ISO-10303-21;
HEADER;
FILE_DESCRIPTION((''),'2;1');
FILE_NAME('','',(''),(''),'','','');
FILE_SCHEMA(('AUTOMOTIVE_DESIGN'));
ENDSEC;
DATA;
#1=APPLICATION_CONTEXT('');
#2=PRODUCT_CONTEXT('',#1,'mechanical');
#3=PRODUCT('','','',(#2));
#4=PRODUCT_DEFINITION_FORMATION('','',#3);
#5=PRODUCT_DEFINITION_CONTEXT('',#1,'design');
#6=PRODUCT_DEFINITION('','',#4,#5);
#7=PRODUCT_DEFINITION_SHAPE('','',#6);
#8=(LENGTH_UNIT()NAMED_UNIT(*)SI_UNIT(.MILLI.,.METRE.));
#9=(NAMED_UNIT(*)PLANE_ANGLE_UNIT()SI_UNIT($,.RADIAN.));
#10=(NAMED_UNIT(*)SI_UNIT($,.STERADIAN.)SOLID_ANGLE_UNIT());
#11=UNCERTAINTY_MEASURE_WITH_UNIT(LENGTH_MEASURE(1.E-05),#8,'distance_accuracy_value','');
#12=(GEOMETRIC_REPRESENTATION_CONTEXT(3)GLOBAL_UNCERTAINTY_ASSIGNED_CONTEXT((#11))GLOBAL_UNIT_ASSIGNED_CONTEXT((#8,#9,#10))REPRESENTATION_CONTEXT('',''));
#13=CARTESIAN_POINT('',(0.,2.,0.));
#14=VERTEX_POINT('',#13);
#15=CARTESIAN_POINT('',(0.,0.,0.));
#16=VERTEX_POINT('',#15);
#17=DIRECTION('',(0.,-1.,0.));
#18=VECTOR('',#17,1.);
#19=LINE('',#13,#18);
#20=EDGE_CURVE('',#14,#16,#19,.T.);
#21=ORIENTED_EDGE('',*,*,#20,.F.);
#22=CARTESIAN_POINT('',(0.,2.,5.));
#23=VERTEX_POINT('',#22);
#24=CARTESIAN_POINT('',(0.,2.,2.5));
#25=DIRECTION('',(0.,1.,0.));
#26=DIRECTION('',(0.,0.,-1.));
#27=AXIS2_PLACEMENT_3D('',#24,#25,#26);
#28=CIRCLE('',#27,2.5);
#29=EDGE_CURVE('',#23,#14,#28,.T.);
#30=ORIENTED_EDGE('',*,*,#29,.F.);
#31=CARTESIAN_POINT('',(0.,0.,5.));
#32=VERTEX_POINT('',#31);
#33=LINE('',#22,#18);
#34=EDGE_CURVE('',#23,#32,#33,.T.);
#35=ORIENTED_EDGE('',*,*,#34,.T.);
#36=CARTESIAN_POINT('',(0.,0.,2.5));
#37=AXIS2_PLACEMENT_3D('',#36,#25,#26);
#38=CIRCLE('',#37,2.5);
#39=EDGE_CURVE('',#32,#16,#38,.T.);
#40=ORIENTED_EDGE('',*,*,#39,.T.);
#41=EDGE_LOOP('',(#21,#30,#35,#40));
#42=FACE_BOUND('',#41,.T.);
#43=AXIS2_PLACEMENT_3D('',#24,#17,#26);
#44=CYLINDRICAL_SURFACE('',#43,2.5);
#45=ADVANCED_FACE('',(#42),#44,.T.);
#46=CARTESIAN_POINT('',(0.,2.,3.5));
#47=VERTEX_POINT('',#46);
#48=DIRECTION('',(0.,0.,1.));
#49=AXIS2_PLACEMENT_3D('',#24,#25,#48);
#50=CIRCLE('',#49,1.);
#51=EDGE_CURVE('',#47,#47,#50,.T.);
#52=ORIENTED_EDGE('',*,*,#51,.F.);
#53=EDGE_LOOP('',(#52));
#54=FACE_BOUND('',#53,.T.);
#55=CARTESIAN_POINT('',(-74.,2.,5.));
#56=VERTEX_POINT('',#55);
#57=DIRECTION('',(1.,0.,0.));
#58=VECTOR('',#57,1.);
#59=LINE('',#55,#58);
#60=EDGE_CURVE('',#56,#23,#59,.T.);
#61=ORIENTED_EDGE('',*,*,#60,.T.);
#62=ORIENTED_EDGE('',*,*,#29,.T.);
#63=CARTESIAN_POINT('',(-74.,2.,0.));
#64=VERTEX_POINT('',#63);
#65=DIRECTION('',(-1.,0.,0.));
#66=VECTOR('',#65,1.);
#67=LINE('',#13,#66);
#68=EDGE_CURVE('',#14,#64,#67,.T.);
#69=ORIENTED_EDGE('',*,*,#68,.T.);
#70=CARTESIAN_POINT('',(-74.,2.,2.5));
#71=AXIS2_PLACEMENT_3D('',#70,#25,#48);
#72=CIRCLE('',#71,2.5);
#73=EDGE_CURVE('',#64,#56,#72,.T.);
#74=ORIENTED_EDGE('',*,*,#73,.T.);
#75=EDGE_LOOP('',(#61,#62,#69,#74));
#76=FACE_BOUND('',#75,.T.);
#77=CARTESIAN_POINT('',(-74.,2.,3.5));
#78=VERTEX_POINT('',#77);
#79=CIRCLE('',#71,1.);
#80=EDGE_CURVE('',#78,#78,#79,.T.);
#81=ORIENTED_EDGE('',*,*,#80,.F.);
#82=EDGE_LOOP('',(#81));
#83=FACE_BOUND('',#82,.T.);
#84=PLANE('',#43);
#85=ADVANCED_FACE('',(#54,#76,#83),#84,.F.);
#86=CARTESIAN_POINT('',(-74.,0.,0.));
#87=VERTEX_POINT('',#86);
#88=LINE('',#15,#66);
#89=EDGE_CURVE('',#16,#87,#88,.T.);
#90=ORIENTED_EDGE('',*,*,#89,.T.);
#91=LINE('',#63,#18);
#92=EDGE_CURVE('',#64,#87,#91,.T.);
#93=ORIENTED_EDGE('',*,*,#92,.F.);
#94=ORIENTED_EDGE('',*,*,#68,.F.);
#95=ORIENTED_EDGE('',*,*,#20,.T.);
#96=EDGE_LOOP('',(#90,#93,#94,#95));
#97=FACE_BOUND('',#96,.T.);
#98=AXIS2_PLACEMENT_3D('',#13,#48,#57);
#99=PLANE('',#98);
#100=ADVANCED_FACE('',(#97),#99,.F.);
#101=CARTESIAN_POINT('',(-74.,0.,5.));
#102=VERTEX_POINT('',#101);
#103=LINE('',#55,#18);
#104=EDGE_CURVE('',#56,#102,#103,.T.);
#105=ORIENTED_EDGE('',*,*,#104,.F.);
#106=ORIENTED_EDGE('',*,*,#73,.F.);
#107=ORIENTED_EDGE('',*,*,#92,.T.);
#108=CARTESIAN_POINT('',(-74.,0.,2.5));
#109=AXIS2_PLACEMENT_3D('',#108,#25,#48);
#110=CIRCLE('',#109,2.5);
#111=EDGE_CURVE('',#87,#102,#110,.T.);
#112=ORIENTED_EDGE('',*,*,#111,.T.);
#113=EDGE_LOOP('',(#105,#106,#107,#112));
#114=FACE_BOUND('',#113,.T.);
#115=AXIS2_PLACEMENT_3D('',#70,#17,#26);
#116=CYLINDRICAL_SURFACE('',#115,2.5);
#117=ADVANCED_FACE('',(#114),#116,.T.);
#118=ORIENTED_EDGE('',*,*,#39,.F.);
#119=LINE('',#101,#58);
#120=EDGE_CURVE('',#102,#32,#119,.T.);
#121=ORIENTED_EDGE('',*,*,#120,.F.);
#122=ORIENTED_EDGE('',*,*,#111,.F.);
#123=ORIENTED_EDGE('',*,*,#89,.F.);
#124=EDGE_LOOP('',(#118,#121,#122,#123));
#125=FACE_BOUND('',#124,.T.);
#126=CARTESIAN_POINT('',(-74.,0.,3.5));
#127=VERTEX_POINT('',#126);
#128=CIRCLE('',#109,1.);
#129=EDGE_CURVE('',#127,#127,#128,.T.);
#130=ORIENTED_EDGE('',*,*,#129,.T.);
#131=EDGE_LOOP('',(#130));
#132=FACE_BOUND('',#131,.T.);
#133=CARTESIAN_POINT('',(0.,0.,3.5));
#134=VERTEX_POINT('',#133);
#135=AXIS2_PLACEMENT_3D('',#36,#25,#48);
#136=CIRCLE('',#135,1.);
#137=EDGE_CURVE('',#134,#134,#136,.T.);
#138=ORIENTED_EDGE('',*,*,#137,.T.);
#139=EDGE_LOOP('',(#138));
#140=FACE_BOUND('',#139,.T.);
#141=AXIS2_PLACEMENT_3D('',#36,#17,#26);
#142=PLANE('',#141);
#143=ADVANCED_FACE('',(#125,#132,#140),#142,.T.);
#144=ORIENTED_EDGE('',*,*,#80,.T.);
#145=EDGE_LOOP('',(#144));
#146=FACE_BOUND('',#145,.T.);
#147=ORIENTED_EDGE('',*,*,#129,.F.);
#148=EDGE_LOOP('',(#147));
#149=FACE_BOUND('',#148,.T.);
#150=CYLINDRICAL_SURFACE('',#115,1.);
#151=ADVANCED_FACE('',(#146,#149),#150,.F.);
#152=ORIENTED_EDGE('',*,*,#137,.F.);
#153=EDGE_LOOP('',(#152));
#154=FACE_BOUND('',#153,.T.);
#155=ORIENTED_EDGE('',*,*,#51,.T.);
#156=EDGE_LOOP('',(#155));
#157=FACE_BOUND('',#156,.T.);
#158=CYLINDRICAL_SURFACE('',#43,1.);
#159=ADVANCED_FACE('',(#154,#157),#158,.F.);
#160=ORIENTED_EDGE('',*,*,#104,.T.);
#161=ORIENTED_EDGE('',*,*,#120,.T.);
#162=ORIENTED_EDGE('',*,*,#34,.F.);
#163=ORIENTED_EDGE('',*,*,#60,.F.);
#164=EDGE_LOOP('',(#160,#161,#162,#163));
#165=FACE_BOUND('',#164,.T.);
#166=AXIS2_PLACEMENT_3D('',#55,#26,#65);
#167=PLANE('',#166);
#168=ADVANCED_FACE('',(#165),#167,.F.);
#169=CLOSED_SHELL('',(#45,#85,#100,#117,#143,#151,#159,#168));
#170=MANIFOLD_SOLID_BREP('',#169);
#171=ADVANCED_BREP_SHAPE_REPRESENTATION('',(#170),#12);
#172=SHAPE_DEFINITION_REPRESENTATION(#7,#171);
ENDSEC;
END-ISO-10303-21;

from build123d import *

# Parameters (mm, degrees)
SKETCH1_R           = 1
BOSS_EXTRUDE1_DEPTH = 2


with BuildPart() as part:
    # Sketch1 → Boss-Extrude1 (new body)
    with BuildSketch(Plane(origin=(0, 0, 0), x_dir=(1, 0, 0), z_dir=(0, 1, 0))):
        with BuildLine():
            Line((0, 0), (-74, 0))
            ThreePointArc((-74, 0), (-76.5, -2.5), (-74, -5))
            Line((-74, -5), (0, -5))
            ThreePointArc((0, -5), (2.5, -2.5), (0, 0))
        make_face()
        with Locations(Location((-74, -2.5, 0), (0, 0, 270))):
            Circle(SKETCH1_R, mode=Mode.SUBTRACT)
        with Locations(Location((0, -2.5, 0), (0, 0, 270))):
            Circle(SKETCH1_R, mode=Mode.SUBTRACT)
    extrude(amount=BOSS_EXTRUDE1_DEPTH)


solid = part.part
